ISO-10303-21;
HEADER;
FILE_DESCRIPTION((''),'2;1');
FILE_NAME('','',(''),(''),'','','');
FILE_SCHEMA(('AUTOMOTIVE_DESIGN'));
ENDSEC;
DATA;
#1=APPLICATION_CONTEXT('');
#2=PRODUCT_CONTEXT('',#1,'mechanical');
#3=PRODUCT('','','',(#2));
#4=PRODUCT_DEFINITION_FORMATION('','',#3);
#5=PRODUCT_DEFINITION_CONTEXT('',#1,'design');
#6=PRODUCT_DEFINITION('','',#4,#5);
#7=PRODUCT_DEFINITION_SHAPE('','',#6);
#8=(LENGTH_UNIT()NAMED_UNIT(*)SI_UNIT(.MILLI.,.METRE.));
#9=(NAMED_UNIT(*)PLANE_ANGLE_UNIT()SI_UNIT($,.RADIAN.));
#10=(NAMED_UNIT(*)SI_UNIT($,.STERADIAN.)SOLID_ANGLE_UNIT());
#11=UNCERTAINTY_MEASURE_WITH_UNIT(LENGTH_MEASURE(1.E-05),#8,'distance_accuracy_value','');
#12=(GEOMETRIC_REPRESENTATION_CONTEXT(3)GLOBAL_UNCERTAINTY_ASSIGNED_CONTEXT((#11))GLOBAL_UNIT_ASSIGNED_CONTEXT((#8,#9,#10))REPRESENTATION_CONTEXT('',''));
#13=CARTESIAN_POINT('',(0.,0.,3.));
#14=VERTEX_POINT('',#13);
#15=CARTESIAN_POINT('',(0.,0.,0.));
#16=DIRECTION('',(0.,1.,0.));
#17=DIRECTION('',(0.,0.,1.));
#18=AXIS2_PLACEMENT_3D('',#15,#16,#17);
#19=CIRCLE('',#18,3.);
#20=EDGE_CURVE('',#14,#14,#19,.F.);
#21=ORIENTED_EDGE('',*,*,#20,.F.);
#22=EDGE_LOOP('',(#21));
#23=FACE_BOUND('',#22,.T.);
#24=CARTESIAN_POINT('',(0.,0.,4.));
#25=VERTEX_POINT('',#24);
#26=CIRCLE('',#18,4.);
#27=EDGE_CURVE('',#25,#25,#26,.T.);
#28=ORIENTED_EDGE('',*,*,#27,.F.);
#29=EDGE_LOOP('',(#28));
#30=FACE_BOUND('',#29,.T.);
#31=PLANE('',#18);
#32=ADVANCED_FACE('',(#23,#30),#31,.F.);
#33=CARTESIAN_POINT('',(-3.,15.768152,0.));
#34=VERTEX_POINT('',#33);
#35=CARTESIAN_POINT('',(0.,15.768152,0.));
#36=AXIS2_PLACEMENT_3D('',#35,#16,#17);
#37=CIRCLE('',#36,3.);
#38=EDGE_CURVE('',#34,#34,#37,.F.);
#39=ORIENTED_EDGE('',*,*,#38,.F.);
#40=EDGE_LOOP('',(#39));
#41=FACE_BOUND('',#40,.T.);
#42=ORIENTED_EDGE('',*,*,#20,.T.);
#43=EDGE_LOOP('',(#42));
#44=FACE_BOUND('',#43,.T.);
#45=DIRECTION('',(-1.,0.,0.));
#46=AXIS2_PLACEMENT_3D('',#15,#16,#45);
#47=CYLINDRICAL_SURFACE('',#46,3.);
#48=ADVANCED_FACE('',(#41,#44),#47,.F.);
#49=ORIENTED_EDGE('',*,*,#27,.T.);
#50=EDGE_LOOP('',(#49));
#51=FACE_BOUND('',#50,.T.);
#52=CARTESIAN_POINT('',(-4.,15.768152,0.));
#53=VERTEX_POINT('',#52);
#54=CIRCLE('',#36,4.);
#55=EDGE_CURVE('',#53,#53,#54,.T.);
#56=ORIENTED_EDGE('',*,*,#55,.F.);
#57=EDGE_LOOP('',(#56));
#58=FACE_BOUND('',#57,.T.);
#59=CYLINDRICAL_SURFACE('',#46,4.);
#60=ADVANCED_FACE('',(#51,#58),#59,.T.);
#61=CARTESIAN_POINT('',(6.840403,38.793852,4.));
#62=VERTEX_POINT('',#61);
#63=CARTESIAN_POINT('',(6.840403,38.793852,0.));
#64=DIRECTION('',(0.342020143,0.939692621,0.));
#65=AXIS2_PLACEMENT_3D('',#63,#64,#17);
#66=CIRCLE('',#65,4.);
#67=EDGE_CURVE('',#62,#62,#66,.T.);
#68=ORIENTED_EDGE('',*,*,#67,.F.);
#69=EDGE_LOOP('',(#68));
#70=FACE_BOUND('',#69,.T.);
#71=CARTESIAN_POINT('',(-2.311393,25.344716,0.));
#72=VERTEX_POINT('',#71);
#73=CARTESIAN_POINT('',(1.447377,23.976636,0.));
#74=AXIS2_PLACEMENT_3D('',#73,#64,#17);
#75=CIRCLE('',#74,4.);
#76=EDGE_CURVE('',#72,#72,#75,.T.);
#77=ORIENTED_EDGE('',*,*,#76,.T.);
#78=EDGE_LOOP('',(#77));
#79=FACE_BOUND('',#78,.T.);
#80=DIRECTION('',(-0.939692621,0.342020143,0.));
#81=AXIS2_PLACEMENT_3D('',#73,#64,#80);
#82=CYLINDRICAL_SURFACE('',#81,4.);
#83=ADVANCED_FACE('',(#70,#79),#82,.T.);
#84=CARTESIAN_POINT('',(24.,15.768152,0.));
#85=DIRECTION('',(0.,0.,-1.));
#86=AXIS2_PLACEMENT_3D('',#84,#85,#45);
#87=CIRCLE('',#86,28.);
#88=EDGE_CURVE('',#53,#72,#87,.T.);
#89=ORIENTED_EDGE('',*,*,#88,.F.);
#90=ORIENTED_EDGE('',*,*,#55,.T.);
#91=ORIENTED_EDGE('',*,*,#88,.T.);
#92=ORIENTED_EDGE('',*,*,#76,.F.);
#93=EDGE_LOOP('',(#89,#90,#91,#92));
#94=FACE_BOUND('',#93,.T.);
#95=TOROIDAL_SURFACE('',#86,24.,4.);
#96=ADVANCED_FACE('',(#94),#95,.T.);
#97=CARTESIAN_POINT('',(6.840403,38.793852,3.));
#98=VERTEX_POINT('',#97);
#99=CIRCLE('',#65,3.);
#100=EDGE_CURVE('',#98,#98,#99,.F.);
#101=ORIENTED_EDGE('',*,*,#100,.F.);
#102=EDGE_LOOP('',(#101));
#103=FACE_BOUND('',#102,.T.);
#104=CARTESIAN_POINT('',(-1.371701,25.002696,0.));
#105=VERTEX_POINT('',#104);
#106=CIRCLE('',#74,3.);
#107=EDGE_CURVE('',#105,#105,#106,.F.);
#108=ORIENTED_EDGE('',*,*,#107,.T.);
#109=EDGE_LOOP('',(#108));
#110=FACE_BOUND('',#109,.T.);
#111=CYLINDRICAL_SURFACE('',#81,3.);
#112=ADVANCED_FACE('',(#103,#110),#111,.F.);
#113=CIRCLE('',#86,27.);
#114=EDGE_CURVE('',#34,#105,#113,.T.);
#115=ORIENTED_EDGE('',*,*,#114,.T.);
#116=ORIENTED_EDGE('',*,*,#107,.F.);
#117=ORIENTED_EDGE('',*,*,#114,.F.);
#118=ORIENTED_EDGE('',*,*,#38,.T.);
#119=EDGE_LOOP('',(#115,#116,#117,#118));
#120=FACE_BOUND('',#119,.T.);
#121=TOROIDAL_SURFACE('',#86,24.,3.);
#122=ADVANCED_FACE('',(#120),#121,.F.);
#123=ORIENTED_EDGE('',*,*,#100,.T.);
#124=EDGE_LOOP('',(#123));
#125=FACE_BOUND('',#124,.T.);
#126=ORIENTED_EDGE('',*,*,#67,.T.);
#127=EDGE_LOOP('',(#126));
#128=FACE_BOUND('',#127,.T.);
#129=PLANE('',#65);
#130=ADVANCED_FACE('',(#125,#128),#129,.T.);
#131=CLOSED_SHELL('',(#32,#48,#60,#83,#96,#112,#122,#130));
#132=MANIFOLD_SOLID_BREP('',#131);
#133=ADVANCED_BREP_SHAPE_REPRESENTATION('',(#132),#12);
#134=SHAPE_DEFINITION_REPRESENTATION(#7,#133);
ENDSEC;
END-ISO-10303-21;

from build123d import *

# Parameters (mm, degrees)
SKETCH2_R   = 4
SKETCH2_R_2 = 3


with BuildPart() as part:
    # Sweep1: sweep along a path in Sketch1
    with BuildLine(Plane.XY) as sweep1_path:
        Line((0, 0), (0, 15.768152463))
        ThreePointArc((0, 15.768152463), (0.364613928, 19.935708727), (1.447377101, 23.976635903))
        Line((1.447377101, 23.976635903), (6.840402867, 38.793852416))
    # Sketch2 → Sweep1 (sweep)
    with BuildSketch(Plane(origin=(0, 0, 0), x_dir=(1, 0, 0), z_dir=(0, 1, 0))):
        Circle(SKETCH2_R)
        Circle(SKETCH2_R_2, mode=Mode.SUBTRACT)
    sweep(path=sweep1_path.line)


solid = part.part
